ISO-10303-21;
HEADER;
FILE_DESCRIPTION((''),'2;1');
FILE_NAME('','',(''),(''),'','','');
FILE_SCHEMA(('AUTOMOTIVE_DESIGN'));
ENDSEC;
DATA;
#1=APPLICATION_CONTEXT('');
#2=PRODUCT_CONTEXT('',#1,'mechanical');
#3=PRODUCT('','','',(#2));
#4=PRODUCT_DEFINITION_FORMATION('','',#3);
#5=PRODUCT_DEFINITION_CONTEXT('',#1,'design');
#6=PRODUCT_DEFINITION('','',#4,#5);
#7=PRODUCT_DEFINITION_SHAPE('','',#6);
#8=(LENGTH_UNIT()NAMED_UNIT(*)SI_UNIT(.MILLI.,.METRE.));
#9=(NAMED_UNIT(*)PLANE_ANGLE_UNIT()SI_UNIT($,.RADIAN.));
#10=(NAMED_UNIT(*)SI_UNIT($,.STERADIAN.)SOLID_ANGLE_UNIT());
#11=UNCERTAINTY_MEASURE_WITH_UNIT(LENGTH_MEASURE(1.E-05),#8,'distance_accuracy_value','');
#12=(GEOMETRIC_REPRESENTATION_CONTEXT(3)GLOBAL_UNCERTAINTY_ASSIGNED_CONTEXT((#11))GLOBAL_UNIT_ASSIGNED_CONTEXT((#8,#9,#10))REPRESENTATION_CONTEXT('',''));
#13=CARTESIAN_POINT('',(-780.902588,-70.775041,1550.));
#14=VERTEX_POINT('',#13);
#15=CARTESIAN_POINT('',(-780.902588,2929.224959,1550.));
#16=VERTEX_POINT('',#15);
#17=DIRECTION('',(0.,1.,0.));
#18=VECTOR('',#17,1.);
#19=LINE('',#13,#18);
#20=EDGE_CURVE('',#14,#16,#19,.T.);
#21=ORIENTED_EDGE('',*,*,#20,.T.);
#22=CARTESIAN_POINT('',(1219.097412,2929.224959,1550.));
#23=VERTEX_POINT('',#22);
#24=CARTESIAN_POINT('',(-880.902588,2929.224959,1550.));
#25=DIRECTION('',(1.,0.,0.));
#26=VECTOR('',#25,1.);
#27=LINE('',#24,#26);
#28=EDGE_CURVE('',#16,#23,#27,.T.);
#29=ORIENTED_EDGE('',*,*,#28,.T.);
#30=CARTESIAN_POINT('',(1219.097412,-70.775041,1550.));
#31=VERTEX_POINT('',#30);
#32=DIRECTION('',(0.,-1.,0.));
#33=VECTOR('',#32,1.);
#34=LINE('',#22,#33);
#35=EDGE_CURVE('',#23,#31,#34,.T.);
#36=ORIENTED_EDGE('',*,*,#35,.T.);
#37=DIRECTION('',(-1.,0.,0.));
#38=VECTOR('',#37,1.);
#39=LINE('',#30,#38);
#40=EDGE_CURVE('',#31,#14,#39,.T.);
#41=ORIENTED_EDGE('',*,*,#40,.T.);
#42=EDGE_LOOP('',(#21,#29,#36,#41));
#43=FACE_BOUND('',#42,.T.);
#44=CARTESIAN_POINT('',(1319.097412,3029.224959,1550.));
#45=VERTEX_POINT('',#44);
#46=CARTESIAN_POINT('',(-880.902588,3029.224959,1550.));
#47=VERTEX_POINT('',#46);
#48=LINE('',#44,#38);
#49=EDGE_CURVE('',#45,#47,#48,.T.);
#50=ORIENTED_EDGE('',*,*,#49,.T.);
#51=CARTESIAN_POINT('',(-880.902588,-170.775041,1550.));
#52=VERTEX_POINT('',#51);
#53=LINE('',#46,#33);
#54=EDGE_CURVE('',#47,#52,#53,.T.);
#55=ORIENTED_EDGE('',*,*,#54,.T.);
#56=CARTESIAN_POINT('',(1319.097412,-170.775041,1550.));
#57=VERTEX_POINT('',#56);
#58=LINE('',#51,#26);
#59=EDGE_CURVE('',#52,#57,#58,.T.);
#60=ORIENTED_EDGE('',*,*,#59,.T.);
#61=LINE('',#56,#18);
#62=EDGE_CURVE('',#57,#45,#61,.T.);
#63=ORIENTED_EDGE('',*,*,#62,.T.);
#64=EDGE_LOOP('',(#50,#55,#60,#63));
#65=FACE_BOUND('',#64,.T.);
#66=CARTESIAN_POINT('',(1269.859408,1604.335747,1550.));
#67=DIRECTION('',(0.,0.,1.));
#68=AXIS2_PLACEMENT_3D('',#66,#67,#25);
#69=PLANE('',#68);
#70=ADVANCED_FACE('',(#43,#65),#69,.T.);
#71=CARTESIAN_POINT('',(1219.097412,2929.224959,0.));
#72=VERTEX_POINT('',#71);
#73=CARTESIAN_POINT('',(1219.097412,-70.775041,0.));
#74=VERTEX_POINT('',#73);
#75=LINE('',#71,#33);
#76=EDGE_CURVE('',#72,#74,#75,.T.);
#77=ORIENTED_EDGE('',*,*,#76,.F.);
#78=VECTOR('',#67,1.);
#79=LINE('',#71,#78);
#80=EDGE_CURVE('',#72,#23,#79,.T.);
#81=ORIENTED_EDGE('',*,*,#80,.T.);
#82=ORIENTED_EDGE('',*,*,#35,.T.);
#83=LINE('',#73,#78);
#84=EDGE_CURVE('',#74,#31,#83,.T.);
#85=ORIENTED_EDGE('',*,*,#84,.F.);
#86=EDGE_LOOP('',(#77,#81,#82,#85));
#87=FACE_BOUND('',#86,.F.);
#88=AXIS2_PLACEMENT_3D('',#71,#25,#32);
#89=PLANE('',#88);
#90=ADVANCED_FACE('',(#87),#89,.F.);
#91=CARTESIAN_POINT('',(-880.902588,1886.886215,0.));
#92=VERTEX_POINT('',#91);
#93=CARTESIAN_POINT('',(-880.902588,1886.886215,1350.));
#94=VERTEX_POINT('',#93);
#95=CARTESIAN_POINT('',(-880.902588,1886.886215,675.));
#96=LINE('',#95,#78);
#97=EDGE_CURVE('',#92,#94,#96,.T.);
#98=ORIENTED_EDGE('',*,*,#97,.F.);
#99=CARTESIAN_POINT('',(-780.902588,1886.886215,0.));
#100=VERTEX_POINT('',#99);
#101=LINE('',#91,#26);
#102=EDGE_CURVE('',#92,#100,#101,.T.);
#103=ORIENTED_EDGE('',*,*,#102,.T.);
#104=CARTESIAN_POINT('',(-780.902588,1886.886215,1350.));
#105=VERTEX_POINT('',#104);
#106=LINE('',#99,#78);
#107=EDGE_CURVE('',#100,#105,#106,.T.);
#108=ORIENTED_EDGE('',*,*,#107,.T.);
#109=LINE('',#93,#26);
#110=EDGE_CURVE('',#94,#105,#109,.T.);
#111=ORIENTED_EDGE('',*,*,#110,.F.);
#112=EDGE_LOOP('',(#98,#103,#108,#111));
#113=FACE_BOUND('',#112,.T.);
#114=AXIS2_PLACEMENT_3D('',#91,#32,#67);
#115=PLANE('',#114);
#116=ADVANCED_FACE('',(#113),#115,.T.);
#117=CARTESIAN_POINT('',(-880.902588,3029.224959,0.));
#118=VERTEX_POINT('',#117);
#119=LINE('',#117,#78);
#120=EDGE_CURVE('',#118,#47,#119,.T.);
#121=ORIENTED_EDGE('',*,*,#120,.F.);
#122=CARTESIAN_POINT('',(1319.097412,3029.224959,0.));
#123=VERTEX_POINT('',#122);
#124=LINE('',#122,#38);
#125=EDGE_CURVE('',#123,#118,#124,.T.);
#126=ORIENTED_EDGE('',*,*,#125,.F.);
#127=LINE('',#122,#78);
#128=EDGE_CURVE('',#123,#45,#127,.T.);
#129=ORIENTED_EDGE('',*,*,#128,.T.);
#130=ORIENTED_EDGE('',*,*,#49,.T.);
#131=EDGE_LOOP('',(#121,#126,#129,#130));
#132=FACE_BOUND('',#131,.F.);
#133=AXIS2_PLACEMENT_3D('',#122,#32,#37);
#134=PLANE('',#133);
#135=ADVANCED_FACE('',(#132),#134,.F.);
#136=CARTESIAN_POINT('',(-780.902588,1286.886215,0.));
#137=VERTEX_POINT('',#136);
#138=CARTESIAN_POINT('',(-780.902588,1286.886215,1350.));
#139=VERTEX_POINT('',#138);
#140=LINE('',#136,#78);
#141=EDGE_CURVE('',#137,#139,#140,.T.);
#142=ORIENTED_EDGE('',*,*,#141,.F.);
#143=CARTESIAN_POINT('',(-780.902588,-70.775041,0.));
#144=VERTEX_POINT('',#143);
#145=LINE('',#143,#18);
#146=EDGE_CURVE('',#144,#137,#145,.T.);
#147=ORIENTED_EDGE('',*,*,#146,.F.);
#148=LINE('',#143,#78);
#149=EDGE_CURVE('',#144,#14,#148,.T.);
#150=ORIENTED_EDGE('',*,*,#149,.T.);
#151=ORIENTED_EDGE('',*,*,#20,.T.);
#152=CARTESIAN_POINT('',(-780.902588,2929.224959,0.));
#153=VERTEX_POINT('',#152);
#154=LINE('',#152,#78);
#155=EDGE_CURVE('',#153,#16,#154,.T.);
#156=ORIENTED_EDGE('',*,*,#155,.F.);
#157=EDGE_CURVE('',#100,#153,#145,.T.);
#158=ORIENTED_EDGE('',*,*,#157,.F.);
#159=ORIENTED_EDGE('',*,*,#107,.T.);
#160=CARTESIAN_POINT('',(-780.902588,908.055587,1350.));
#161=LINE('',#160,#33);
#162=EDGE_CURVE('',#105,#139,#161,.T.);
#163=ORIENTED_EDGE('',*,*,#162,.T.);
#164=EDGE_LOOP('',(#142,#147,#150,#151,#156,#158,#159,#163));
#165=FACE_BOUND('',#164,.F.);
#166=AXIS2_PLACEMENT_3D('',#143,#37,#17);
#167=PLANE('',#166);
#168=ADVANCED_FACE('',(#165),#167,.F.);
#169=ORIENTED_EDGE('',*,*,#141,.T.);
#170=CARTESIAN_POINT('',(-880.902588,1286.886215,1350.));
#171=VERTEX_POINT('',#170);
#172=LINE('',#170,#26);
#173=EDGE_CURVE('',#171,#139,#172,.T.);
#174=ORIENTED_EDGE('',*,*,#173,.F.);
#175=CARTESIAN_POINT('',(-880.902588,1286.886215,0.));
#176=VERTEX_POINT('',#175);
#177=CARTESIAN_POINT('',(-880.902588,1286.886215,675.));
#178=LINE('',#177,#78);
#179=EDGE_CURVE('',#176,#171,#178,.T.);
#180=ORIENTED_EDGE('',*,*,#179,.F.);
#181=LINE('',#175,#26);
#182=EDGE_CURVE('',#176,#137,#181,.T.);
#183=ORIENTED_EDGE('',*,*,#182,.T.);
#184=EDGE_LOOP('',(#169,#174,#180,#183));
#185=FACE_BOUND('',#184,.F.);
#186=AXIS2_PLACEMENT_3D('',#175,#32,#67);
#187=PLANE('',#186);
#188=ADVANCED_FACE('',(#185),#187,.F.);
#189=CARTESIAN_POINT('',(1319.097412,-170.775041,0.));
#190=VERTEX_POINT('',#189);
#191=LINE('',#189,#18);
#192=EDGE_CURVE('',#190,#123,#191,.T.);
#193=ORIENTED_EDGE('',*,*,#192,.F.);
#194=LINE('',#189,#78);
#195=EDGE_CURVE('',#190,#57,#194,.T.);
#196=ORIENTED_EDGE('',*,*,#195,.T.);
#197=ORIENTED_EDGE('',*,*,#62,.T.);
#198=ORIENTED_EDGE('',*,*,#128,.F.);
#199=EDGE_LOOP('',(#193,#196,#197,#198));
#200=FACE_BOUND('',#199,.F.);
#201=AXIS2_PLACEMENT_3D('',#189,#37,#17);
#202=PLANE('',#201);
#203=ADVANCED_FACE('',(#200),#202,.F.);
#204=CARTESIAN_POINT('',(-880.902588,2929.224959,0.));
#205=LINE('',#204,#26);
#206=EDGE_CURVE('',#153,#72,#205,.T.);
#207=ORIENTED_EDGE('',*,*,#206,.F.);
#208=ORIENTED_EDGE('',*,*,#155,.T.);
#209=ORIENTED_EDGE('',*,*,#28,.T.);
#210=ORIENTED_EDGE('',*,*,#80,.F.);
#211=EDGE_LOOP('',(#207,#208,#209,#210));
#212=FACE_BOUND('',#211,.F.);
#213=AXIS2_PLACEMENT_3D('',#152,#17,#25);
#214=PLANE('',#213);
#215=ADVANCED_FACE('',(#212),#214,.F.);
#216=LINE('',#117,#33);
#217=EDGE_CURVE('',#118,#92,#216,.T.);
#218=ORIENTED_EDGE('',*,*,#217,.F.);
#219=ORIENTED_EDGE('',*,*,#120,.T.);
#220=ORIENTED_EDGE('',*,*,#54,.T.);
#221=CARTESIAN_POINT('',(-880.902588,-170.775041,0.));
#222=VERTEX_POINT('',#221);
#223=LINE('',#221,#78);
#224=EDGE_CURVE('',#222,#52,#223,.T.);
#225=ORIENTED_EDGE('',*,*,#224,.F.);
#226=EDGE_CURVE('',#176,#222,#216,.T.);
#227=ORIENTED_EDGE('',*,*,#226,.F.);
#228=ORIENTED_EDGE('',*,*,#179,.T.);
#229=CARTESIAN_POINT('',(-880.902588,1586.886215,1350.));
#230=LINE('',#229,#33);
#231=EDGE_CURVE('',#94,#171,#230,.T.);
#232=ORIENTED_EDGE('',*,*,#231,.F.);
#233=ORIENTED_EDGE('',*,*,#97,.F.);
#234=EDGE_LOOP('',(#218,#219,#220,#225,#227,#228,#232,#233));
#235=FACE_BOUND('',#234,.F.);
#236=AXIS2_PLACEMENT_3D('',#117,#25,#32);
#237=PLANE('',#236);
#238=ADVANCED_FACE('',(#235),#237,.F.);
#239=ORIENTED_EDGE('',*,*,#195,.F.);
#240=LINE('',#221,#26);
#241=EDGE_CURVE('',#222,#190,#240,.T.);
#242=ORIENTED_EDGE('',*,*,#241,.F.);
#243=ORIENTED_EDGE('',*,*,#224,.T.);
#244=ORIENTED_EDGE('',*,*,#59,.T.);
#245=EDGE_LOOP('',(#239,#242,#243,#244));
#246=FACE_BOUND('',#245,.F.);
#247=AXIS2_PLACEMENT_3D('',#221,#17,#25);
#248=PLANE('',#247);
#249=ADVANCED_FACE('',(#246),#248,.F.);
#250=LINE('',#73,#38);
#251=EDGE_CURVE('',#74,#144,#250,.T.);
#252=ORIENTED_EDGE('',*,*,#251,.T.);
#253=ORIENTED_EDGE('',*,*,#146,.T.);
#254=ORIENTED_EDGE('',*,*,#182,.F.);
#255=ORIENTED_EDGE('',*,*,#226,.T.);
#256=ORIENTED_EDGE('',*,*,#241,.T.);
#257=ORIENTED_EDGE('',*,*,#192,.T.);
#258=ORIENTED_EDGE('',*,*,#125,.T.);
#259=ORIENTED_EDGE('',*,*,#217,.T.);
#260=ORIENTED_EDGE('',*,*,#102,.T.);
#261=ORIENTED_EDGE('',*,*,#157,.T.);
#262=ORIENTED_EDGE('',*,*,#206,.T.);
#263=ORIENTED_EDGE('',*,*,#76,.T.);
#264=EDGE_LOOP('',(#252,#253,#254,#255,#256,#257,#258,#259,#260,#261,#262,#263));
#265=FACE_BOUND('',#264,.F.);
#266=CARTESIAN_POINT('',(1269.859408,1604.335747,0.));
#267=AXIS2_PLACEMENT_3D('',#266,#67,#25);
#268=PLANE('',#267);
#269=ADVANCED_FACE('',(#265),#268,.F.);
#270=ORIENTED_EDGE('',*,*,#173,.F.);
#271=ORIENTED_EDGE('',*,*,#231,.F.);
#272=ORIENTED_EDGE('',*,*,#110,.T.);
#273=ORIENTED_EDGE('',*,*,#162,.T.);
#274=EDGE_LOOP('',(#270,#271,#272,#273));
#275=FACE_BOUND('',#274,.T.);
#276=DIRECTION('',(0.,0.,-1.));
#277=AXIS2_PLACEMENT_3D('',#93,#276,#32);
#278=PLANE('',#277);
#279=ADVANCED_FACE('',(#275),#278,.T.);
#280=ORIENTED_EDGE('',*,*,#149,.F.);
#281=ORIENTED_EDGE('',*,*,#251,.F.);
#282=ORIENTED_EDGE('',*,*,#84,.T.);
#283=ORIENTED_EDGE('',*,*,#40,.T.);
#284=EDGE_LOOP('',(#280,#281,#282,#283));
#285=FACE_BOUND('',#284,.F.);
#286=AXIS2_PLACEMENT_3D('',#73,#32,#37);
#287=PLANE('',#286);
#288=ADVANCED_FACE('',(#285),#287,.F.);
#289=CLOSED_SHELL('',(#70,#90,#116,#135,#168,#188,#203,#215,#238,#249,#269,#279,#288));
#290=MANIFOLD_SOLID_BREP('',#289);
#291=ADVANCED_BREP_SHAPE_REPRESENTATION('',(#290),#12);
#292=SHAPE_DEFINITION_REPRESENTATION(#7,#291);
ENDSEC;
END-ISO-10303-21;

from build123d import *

# Parameters (mm, degrees)
F0_W     = 57.2179496288
F0_H     = 100
F1_DEPTH = 1550
F2_W     = 600
F2_H     = 1350
F3_DEPTH = 1090


with BuildPart() as f1:
    # F0 (on Top) → F1 (new body)
    with BuildSketch(Plane.XY):
        with BuildLine():
            ThreePointArc((1319.0974116325, 1785.5041651916), (1268.5872301316, 1781.905542998), (1219.0974116325, 1771.1823726703))
            Line((1219.0974116325, 1771.1823726703), (1219.0974116325, 1429.2249590158))
            Line((1219.0974116325, 1429.2249590158), (1319.0974116325, 1429.2249590158))
            Line((1319.0974116325, 1429.2249590158), (1319.0974116325, 1785.5041651916))
        make_face()
        with BuildLine():
            Line((1319.0974116325, 1429.2249590158), (1219.0974116325, 1429.2249590158))
            Line((1219.0974116325, 1429.2249590158), (1219.0974116325, 1087.2675453614))
            ThreePointArc((1219.0974116325, 1087.2675453614), (1268.5872301316, 1076.5443750337), (1319.0974116325, 1072.9457528401))
            Line((1319.0974116325, 1072.9457528401), (1319.0974116325, 1429.2249590158))
        make_face()
        with BuildLine():
            ThreePointArc((1319.0974116325, 1072.9457528401), (1268.5872301316, 1076.5443750337), (1219.0974116325, 1087.2675453614))
            Line((1219.0974116325, 1087.2675453614), (1219.0974116325, -70.7750409842))
            Line((1219.0974116325, -70.7750409842), (1319.0974116325, -70.7750409842))
            Line((1319.0974116325, -70.7750409842), (1319.0974116325, 1072.9457528401))
        make_face()
        with Locations((490.4884368181, -120.7750409842)):
            Rectangle(F0_W, F0_H)
        Polygon((519.0974116325, -70.7750409842), (519.0974116325, -170.7750409842), (1319.0974116325, -170.7750409842), (1319.0974116325, -70.7750409842), (1219.0974116325, -70.7750409842), align=None)
        Polygon((-780.9025883675, -70.7750409842), (-880.9025883675, -70.7750409842), (-880.9025883675, -170.7750409842), (461.8794620037, -170.7750409842), (461.8794620037, -70.7750409842), (11.8794620037, -70.7750409842), align=None)
        Polygon((-880.9025883675, 2929.2249590158), (-780.9025883675, 2929.2249590158), (419.0974116325, 2929.2249590158), (850.3283262253, 2929.2249590158), (1219.0974116325, 2929.2249590158), (1319.0974116325, 2929.2249590158), (1319.0974116325, 3029.2249590158), (-880.9025883675, 3029.2249590158), align=None)
        Polygon((-780.9025883675, 1429.2249590158), (-780.9025883675, 2929.2249590158), (-880.9025883675, 2929.2249590158), (-880.9025883675, -70.7750409842), (-780.9025883675, -70.7750409842), (-780.9025883675, 932.5590729713), (-780.9025883675, 1029.2249590158), align=None)
        with BuildLine():
            Line((1319.0974116325, 2929.2249590158), (1219.0974116325, 2929.2249590158))
            Line((1219.0974116325, 2929.2249590158), (1219.0974116325, 1771.1823726703))
            ThreePointArc((1219.0974116325, 1771.1823726703), (1268.5872301316, 1781.905542998), (1319.0974116325, 1785.5041651916))
            Line((1319.0974116325, 1785.5041651916), (1319.0974116325, 2929.2249590158))
        make_face()
    extrude(amount=F1_DEPTH)

    # F2 (on face) → F3 (cut)
    with BuildSketch(Plane(origin=(-880.9025883675, 0, 0), x_dir=(0, -1, 0), z_dir=(-1, 0, 0))):
        with Locations((-1586.88621521, 675)):
            Rectangle(F2_W, F2_H)
    extrude(amount=-F3_DEPTH, mode=Mode.SUBTRACT)


solid = f1.part
